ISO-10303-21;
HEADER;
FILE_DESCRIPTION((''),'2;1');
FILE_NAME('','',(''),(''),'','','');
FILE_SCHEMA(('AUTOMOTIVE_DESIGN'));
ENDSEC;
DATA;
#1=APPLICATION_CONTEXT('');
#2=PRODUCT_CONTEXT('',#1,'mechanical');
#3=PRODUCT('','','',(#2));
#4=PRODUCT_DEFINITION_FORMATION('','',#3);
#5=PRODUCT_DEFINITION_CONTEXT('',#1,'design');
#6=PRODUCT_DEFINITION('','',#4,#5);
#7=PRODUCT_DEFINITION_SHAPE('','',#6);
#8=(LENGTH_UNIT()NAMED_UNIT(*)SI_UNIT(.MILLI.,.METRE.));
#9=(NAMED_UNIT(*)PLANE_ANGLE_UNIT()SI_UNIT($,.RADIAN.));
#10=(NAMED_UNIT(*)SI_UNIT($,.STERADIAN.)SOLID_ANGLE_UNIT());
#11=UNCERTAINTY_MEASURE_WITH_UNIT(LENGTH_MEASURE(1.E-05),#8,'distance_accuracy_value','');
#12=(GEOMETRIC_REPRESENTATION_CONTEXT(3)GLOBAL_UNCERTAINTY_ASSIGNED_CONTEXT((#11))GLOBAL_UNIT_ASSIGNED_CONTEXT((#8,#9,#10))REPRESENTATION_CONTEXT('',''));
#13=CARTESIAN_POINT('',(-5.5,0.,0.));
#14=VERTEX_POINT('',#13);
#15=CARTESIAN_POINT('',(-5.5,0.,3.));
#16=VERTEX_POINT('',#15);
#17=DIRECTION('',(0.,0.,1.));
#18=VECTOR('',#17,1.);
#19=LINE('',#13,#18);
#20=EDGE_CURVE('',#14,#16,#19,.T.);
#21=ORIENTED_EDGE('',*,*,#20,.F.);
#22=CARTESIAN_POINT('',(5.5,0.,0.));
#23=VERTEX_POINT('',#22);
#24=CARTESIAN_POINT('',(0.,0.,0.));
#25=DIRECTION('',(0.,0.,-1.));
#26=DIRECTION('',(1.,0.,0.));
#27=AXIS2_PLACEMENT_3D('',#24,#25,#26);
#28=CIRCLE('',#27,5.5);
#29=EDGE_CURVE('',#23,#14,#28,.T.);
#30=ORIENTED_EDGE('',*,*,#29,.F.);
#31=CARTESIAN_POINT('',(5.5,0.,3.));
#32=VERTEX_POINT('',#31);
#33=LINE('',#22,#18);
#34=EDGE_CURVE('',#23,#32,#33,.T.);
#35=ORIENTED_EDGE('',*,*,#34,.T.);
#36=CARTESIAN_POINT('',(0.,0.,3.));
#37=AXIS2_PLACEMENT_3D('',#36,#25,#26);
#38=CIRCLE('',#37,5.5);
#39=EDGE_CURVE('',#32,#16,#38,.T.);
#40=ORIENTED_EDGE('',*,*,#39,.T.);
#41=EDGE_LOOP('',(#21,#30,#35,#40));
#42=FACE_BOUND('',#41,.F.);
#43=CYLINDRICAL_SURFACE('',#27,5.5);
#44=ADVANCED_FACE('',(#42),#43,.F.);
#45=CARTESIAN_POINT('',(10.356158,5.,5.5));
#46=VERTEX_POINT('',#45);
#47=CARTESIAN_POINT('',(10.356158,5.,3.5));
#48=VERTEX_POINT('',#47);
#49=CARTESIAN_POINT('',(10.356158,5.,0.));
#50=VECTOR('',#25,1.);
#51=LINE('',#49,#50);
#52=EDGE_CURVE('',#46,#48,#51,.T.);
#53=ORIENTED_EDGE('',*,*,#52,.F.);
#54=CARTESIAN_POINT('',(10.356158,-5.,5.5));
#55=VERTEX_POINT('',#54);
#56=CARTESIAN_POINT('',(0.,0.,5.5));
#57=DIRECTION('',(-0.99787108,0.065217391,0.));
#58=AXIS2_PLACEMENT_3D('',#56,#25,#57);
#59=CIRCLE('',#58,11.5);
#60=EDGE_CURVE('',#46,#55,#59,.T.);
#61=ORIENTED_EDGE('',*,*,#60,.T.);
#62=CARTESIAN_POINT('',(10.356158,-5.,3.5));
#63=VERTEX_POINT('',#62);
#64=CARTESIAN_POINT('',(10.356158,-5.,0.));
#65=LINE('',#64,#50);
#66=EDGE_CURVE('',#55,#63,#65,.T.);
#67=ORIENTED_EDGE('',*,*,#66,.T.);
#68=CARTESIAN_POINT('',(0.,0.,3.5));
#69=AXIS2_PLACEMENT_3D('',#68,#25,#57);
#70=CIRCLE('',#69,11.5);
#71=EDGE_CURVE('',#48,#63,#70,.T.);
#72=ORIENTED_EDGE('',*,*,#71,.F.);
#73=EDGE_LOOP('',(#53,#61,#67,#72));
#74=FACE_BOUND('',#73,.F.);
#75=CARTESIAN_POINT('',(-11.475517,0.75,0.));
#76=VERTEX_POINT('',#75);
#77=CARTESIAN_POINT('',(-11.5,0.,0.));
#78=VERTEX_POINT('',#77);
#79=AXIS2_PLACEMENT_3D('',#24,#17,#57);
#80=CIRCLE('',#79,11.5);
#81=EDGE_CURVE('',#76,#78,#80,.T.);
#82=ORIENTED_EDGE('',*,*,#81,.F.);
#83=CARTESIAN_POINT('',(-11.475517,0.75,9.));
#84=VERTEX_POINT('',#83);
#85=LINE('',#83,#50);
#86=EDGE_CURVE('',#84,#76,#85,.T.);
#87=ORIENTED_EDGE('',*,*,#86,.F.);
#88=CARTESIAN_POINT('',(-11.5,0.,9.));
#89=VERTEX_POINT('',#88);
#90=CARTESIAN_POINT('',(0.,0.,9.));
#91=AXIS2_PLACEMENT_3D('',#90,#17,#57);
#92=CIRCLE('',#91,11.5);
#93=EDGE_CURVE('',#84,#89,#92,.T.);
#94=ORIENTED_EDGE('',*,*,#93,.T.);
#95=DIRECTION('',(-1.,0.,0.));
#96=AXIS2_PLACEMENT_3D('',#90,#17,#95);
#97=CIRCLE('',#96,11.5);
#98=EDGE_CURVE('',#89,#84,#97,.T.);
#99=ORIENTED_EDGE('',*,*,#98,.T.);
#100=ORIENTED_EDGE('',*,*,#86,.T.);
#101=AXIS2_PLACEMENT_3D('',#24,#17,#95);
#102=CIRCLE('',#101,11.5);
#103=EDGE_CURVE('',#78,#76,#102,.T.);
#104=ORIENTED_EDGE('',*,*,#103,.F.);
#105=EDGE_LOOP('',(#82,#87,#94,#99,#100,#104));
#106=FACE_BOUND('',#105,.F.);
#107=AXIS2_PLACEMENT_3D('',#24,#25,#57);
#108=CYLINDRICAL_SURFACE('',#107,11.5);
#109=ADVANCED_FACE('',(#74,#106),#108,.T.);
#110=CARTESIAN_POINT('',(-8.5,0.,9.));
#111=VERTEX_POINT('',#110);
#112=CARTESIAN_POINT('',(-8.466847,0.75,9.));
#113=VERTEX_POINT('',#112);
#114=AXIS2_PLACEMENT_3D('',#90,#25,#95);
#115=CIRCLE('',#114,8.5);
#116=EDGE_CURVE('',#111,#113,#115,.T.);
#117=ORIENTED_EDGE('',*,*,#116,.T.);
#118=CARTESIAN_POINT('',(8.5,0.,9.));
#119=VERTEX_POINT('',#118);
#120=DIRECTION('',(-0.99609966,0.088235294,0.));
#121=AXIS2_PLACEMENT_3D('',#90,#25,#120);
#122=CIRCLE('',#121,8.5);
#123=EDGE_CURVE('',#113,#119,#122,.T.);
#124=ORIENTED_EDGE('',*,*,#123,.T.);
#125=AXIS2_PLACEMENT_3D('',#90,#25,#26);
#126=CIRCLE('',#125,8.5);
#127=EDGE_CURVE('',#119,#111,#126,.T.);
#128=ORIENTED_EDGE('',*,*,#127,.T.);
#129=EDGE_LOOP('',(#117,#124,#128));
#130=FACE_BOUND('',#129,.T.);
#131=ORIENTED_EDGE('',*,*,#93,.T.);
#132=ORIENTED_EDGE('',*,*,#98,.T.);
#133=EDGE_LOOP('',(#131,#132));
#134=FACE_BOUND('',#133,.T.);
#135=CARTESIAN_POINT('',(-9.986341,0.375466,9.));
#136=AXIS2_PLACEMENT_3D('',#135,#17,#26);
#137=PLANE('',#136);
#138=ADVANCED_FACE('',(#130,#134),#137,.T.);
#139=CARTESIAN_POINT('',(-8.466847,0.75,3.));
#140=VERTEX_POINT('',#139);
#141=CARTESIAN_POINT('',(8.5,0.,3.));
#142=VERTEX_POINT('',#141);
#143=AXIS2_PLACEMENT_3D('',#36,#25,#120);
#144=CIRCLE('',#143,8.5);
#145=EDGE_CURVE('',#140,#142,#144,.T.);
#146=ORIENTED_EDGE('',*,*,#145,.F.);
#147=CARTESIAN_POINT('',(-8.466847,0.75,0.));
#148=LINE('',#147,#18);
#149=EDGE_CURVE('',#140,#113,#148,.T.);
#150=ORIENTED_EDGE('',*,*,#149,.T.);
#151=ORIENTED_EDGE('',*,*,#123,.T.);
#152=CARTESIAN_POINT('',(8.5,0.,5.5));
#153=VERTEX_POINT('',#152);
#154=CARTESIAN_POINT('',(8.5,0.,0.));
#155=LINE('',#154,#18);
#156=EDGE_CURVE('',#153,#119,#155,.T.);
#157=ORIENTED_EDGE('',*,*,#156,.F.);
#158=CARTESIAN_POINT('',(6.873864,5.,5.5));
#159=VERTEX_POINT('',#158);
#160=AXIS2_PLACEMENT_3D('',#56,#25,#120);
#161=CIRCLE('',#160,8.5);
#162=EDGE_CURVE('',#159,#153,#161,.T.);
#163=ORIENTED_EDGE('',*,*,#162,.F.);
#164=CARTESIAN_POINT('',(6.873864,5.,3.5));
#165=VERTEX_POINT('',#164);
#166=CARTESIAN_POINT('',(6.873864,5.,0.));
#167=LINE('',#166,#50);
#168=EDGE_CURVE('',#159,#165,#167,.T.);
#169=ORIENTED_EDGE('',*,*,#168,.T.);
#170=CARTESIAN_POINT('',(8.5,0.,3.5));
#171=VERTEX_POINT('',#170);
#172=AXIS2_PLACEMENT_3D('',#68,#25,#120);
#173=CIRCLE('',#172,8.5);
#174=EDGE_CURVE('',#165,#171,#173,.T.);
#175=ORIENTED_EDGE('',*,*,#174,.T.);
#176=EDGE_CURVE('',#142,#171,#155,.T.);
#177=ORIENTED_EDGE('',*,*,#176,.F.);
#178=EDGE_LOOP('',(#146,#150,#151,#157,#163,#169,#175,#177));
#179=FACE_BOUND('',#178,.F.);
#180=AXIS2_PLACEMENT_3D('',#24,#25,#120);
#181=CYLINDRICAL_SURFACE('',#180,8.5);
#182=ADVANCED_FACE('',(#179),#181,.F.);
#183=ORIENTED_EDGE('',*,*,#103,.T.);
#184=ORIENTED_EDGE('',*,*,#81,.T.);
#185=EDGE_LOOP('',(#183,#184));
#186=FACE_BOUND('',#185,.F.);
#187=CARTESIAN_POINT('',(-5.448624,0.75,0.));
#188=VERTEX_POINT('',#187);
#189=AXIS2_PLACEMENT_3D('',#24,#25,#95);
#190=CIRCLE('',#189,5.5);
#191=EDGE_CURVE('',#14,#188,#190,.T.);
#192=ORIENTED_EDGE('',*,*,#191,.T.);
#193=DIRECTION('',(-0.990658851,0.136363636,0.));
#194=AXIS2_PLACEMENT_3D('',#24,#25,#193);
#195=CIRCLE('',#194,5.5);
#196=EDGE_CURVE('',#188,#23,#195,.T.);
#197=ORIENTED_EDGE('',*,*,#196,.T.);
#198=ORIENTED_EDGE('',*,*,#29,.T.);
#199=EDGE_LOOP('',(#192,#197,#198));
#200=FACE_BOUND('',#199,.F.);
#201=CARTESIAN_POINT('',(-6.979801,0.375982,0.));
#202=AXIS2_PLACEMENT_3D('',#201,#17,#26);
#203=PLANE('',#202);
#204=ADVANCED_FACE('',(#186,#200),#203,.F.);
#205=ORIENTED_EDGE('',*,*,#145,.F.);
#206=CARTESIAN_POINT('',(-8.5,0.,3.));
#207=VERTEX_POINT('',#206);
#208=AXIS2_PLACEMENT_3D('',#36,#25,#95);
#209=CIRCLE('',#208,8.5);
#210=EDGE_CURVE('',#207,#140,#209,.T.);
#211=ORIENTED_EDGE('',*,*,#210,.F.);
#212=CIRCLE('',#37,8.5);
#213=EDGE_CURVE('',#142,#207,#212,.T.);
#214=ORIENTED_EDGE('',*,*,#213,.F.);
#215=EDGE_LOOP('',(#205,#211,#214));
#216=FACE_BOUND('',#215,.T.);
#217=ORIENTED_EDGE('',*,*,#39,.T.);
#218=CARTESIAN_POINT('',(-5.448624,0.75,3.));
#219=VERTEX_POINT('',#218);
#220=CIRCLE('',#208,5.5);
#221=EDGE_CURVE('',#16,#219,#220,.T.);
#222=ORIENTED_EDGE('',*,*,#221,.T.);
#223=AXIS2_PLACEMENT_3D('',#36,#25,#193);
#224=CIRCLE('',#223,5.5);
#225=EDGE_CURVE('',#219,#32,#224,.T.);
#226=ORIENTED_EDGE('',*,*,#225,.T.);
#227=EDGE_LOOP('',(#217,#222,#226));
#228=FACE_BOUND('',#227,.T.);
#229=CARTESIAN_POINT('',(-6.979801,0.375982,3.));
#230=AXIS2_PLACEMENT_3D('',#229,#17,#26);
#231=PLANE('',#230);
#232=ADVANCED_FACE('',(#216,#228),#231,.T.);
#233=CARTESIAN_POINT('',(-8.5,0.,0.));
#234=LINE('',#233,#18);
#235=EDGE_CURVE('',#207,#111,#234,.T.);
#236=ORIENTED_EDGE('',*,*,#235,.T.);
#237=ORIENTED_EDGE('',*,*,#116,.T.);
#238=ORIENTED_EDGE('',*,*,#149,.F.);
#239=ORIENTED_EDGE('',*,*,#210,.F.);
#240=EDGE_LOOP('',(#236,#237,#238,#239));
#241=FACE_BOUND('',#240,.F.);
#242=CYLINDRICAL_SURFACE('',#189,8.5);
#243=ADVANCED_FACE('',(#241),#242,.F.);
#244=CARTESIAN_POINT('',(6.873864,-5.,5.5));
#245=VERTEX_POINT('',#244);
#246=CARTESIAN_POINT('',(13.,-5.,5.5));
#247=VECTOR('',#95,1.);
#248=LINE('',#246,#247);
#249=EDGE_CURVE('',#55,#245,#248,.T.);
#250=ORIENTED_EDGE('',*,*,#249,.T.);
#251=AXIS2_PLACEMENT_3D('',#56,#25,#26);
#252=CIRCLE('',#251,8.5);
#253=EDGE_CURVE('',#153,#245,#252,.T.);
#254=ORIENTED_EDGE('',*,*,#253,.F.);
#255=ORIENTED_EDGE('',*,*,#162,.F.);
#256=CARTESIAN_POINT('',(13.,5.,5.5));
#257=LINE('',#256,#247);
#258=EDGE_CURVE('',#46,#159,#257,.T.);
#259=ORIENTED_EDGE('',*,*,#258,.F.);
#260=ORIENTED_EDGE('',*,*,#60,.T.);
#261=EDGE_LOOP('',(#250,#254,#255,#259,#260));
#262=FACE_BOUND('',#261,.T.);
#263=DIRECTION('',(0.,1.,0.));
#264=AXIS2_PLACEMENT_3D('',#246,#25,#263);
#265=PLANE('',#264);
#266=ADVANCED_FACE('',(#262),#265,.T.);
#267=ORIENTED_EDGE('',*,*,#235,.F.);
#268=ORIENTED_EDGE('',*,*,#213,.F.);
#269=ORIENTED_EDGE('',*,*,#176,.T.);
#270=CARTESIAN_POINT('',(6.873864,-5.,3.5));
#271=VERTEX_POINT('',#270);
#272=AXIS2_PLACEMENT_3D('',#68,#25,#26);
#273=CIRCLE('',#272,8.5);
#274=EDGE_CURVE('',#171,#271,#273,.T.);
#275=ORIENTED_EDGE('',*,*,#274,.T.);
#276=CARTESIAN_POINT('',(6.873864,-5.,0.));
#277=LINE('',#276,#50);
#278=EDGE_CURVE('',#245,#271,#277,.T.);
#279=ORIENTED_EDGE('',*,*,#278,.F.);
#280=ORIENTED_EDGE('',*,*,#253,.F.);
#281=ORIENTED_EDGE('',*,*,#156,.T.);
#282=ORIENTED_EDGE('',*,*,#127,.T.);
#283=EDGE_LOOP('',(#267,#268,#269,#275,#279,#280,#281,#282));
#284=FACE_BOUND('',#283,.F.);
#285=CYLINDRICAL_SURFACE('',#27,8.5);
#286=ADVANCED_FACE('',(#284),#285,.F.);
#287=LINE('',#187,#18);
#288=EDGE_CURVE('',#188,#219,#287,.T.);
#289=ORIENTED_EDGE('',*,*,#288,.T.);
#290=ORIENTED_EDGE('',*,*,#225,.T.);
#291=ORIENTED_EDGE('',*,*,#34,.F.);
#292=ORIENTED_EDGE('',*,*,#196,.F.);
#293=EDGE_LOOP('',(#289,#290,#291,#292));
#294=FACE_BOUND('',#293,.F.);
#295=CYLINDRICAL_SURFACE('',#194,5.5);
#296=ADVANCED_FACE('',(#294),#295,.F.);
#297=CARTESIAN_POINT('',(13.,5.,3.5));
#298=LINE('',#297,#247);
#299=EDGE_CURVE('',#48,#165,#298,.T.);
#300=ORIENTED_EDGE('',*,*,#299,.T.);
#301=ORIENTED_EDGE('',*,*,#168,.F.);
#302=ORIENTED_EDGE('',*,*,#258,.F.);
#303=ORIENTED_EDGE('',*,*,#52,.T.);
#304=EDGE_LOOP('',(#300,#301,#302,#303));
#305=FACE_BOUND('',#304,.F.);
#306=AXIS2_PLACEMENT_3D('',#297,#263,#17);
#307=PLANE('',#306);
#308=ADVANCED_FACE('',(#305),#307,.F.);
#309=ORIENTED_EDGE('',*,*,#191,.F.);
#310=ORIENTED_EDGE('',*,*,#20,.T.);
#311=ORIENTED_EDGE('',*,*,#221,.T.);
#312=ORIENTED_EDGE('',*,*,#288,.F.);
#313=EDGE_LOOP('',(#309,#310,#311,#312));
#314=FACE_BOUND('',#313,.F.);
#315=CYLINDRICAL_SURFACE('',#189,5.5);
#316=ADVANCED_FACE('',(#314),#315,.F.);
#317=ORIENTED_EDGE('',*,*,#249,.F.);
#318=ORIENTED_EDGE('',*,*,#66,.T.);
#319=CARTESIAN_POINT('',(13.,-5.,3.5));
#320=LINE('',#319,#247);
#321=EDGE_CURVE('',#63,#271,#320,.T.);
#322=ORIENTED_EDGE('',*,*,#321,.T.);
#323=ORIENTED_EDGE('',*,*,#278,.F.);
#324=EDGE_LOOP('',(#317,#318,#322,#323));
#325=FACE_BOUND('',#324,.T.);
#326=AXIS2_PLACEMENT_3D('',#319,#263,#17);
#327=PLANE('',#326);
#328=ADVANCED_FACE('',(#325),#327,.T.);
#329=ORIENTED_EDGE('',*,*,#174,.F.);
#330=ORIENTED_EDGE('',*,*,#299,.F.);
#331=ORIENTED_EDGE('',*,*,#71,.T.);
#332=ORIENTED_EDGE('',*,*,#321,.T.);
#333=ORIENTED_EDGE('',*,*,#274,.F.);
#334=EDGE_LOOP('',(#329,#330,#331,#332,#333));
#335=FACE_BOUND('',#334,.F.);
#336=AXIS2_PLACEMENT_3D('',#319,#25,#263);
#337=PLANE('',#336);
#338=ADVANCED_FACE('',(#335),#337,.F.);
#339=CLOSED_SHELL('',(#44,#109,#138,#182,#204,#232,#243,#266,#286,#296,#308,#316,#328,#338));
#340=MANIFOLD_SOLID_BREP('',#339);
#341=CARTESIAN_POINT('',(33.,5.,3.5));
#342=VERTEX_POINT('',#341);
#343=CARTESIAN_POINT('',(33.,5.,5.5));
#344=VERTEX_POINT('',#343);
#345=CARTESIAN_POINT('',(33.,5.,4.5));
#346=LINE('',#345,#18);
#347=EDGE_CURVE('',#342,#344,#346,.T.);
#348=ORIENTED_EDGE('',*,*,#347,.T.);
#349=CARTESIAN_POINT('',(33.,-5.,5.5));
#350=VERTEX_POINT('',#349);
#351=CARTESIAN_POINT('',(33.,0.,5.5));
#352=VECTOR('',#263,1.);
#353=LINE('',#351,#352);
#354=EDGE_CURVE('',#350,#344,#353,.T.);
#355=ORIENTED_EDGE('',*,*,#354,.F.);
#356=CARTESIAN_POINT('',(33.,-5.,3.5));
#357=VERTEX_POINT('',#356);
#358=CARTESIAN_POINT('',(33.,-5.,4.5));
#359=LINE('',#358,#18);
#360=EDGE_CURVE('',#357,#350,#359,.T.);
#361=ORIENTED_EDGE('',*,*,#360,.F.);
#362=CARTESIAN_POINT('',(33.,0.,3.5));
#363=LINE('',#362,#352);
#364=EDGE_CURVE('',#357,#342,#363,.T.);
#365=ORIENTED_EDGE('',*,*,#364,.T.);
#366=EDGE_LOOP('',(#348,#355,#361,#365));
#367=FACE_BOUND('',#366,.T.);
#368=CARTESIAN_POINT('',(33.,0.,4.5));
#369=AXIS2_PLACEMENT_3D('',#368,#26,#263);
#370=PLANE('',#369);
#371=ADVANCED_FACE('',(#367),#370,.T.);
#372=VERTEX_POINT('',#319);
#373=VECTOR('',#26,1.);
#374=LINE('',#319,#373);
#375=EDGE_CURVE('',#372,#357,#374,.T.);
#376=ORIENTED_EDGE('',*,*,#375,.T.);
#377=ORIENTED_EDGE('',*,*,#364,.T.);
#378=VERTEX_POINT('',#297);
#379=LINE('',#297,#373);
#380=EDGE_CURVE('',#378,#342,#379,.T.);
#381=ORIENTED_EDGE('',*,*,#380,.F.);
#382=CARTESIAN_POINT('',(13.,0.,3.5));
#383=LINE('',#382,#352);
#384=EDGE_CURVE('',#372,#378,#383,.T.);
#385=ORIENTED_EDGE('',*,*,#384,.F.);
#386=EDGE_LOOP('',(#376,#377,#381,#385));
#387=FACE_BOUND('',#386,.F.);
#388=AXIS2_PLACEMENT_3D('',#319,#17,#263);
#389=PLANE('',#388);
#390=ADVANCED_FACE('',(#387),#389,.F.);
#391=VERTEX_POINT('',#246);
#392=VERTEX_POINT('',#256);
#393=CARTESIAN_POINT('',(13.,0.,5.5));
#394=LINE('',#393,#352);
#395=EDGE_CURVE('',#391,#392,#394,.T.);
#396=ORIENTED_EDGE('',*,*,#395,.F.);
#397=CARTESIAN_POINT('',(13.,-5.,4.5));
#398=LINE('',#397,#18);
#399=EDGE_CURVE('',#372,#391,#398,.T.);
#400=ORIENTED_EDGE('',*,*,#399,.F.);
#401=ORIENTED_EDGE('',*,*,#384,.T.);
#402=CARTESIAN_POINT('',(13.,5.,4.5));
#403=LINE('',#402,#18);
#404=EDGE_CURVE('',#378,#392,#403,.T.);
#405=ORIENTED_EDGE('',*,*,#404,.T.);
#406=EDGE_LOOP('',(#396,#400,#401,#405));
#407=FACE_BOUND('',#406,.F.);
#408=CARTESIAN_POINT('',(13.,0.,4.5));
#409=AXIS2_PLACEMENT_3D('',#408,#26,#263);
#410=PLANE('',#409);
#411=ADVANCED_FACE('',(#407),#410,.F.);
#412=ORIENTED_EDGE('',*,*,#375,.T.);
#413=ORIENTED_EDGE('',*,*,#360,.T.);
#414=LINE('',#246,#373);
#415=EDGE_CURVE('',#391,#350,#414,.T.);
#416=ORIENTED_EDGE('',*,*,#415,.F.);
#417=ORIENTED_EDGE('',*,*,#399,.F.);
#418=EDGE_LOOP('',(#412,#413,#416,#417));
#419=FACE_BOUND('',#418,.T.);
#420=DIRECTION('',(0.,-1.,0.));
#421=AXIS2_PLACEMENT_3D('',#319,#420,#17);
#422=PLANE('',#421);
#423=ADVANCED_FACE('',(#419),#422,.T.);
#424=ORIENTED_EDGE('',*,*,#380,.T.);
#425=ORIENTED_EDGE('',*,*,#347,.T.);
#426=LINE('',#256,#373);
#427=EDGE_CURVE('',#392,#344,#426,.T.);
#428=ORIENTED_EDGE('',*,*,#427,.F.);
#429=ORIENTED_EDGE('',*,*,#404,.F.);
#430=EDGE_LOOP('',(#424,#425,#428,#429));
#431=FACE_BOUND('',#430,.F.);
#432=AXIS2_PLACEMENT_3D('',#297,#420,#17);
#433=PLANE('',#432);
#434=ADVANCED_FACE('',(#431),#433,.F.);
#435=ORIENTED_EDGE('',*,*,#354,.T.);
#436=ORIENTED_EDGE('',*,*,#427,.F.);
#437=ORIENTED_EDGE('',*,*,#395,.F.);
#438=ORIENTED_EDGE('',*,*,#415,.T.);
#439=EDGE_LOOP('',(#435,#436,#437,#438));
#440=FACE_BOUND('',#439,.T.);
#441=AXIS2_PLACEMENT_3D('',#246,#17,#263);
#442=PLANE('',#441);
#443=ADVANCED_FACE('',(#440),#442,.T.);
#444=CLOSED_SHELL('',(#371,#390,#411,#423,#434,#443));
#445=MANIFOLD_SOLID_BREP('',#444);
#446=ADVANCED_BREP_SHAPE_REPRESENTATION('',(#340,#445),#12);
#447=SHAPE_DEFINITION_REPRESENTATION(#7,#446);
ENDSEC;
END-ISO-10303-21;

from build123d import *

# Parameters (mm, degrees)
F1_DEPTH = 3
F2_DEPTH = 9
F4_W     = 10
F4_H     = 2
F5_DEPTH = 12.20318
F6_DEPTH = 20


with BuildPart() as f1:
    # F0 (on Top) → F1 (new body)
    with BuildSketch(Plane.XY):
        with BuildLine():
            Line((-5.4486236794, 0.75), (-8.4668471109, 0.75))
            ThreePointArc((-8.4668471109, 0.75), (-8.4917077329, 0.3753661926), (-8.5, 0))
            Line((-8.5, 0), (-5.5, 0))
            ThreePointArc((-5.5, 0), (-5.4871408874, 0.3758788124), (-5.4486236794, 0.75))
        make_face()
        with BuildLine():
            ThreePointArc((-8.5, 0), (0, -8.5), (8.5, 0))
            ThreePointArc((8.5, 0), (0.3753661926, 8.4917077329), (-8.4668471109, 0.75))
            Line((-8.4668471109, 0.75), (-5.4486236794, 0.75))
            ThreePointArc((-5.4486236794, 0.75), (0.3758788124, 5.4871408874), (5.5, 0))
            ThreePointArc((5.5, 0), (0, -5.5), (-5.5, 0))
            Line((-5.5, 0), (-8.5, 0))
        make_face()
        with BuildLine():
            ThreePointArc((-8.5, 0), (-8.4917077329, 0.3753661926), (-8.4668471109, 0.75))
            Line((-8.4668471109, 0.75), (-11.4755174175, 0.75))
            ThreePointArc((-11.4755174175, 0.75), (-11.4938777247, 0.3751997458), (-11.5, 0))
            Line((-11.5, 0), (-8.5, 0))
        make_face()
        with BuildLine():
            ThreePointArc((-8.4668471109, 0.75), (0.3753661926, 8.4917077329), (8.5, 0))
            ThreePointArc((8.5, 0), (0, -8.5), (-8.5, 0))
            Line((-8.5, 0), (-11.5, 0))
            ThreePointArc((-11.5, 0), (0, -11.5), (11.5, 0))
            ThreePointArc((11.5, 0), (0.3751997458, 11.4938777247), (-11.4755174175, 0.75))
            Line((-11.4755174175, 0.75), (-8.4668471109, 0.75))
        make_face()
    extrude(amount=F1_DEPTH)

    # F0 (on Top) → F2 (join)
    with BuildSketch(Plane.XY):
        with BuildLine():
            ThreePointArc((-8.5, 0), (-8.4917077329, 0.3753661926), (-8.4668471109, 0.75))
            Line((-8.4668471109, 0.75), (-11.4755174175, 0.75))
            ThreePointArc((-11.4755174175, 0.75), (-11.4938777247, 0.3751997458), (-11.5, 0))
            Line((-11.5, 0), (-8.5, 0))
        make_face()
        with BuildLine():
            ThreePointArc((-8.4668471109, 0.75), (0.3753661926, 8.4917077329), (8.5, 0))
            ThreePointArc((8.5, 0), (0, -8.5), (-8.5, 0))
            Line((-8.5, 0), (-11.5, 0))
            ThreePointArc((-11.5, 0), (0, -11.5), (11.5, 0))
            ThreePointArc((11.5, 0), (0.3751997458, 11.4938777247), (-11.4755174175, 0.75))
            Line((-11.4755174175, 0.75), (-8.4668471109, 0.75))
        make_face()
    extrude(amount=F2_DEPTH)

    # F4 (on offset) → F5 (cut)
    with BuildSketch(Plane.YZ.offset(13)):
        with Locations((0, 4.5)):
            Rectangle(F4_W, F4_H)
    extrude(amount=-F5_DEPTH, mode=Mode.SUBTRACT)


with BuildPart() as f6:
    # F4 (on offset) → F6 (new body)
    with BuildSketch(Plane.YZ.offset(13)):
        with Locations((0, 4.5)):
            Rectangle(F4_W, F4_H)
    extrude(amount=F6_DEPTH)


solid = Compound([f1.part, f6.part])
